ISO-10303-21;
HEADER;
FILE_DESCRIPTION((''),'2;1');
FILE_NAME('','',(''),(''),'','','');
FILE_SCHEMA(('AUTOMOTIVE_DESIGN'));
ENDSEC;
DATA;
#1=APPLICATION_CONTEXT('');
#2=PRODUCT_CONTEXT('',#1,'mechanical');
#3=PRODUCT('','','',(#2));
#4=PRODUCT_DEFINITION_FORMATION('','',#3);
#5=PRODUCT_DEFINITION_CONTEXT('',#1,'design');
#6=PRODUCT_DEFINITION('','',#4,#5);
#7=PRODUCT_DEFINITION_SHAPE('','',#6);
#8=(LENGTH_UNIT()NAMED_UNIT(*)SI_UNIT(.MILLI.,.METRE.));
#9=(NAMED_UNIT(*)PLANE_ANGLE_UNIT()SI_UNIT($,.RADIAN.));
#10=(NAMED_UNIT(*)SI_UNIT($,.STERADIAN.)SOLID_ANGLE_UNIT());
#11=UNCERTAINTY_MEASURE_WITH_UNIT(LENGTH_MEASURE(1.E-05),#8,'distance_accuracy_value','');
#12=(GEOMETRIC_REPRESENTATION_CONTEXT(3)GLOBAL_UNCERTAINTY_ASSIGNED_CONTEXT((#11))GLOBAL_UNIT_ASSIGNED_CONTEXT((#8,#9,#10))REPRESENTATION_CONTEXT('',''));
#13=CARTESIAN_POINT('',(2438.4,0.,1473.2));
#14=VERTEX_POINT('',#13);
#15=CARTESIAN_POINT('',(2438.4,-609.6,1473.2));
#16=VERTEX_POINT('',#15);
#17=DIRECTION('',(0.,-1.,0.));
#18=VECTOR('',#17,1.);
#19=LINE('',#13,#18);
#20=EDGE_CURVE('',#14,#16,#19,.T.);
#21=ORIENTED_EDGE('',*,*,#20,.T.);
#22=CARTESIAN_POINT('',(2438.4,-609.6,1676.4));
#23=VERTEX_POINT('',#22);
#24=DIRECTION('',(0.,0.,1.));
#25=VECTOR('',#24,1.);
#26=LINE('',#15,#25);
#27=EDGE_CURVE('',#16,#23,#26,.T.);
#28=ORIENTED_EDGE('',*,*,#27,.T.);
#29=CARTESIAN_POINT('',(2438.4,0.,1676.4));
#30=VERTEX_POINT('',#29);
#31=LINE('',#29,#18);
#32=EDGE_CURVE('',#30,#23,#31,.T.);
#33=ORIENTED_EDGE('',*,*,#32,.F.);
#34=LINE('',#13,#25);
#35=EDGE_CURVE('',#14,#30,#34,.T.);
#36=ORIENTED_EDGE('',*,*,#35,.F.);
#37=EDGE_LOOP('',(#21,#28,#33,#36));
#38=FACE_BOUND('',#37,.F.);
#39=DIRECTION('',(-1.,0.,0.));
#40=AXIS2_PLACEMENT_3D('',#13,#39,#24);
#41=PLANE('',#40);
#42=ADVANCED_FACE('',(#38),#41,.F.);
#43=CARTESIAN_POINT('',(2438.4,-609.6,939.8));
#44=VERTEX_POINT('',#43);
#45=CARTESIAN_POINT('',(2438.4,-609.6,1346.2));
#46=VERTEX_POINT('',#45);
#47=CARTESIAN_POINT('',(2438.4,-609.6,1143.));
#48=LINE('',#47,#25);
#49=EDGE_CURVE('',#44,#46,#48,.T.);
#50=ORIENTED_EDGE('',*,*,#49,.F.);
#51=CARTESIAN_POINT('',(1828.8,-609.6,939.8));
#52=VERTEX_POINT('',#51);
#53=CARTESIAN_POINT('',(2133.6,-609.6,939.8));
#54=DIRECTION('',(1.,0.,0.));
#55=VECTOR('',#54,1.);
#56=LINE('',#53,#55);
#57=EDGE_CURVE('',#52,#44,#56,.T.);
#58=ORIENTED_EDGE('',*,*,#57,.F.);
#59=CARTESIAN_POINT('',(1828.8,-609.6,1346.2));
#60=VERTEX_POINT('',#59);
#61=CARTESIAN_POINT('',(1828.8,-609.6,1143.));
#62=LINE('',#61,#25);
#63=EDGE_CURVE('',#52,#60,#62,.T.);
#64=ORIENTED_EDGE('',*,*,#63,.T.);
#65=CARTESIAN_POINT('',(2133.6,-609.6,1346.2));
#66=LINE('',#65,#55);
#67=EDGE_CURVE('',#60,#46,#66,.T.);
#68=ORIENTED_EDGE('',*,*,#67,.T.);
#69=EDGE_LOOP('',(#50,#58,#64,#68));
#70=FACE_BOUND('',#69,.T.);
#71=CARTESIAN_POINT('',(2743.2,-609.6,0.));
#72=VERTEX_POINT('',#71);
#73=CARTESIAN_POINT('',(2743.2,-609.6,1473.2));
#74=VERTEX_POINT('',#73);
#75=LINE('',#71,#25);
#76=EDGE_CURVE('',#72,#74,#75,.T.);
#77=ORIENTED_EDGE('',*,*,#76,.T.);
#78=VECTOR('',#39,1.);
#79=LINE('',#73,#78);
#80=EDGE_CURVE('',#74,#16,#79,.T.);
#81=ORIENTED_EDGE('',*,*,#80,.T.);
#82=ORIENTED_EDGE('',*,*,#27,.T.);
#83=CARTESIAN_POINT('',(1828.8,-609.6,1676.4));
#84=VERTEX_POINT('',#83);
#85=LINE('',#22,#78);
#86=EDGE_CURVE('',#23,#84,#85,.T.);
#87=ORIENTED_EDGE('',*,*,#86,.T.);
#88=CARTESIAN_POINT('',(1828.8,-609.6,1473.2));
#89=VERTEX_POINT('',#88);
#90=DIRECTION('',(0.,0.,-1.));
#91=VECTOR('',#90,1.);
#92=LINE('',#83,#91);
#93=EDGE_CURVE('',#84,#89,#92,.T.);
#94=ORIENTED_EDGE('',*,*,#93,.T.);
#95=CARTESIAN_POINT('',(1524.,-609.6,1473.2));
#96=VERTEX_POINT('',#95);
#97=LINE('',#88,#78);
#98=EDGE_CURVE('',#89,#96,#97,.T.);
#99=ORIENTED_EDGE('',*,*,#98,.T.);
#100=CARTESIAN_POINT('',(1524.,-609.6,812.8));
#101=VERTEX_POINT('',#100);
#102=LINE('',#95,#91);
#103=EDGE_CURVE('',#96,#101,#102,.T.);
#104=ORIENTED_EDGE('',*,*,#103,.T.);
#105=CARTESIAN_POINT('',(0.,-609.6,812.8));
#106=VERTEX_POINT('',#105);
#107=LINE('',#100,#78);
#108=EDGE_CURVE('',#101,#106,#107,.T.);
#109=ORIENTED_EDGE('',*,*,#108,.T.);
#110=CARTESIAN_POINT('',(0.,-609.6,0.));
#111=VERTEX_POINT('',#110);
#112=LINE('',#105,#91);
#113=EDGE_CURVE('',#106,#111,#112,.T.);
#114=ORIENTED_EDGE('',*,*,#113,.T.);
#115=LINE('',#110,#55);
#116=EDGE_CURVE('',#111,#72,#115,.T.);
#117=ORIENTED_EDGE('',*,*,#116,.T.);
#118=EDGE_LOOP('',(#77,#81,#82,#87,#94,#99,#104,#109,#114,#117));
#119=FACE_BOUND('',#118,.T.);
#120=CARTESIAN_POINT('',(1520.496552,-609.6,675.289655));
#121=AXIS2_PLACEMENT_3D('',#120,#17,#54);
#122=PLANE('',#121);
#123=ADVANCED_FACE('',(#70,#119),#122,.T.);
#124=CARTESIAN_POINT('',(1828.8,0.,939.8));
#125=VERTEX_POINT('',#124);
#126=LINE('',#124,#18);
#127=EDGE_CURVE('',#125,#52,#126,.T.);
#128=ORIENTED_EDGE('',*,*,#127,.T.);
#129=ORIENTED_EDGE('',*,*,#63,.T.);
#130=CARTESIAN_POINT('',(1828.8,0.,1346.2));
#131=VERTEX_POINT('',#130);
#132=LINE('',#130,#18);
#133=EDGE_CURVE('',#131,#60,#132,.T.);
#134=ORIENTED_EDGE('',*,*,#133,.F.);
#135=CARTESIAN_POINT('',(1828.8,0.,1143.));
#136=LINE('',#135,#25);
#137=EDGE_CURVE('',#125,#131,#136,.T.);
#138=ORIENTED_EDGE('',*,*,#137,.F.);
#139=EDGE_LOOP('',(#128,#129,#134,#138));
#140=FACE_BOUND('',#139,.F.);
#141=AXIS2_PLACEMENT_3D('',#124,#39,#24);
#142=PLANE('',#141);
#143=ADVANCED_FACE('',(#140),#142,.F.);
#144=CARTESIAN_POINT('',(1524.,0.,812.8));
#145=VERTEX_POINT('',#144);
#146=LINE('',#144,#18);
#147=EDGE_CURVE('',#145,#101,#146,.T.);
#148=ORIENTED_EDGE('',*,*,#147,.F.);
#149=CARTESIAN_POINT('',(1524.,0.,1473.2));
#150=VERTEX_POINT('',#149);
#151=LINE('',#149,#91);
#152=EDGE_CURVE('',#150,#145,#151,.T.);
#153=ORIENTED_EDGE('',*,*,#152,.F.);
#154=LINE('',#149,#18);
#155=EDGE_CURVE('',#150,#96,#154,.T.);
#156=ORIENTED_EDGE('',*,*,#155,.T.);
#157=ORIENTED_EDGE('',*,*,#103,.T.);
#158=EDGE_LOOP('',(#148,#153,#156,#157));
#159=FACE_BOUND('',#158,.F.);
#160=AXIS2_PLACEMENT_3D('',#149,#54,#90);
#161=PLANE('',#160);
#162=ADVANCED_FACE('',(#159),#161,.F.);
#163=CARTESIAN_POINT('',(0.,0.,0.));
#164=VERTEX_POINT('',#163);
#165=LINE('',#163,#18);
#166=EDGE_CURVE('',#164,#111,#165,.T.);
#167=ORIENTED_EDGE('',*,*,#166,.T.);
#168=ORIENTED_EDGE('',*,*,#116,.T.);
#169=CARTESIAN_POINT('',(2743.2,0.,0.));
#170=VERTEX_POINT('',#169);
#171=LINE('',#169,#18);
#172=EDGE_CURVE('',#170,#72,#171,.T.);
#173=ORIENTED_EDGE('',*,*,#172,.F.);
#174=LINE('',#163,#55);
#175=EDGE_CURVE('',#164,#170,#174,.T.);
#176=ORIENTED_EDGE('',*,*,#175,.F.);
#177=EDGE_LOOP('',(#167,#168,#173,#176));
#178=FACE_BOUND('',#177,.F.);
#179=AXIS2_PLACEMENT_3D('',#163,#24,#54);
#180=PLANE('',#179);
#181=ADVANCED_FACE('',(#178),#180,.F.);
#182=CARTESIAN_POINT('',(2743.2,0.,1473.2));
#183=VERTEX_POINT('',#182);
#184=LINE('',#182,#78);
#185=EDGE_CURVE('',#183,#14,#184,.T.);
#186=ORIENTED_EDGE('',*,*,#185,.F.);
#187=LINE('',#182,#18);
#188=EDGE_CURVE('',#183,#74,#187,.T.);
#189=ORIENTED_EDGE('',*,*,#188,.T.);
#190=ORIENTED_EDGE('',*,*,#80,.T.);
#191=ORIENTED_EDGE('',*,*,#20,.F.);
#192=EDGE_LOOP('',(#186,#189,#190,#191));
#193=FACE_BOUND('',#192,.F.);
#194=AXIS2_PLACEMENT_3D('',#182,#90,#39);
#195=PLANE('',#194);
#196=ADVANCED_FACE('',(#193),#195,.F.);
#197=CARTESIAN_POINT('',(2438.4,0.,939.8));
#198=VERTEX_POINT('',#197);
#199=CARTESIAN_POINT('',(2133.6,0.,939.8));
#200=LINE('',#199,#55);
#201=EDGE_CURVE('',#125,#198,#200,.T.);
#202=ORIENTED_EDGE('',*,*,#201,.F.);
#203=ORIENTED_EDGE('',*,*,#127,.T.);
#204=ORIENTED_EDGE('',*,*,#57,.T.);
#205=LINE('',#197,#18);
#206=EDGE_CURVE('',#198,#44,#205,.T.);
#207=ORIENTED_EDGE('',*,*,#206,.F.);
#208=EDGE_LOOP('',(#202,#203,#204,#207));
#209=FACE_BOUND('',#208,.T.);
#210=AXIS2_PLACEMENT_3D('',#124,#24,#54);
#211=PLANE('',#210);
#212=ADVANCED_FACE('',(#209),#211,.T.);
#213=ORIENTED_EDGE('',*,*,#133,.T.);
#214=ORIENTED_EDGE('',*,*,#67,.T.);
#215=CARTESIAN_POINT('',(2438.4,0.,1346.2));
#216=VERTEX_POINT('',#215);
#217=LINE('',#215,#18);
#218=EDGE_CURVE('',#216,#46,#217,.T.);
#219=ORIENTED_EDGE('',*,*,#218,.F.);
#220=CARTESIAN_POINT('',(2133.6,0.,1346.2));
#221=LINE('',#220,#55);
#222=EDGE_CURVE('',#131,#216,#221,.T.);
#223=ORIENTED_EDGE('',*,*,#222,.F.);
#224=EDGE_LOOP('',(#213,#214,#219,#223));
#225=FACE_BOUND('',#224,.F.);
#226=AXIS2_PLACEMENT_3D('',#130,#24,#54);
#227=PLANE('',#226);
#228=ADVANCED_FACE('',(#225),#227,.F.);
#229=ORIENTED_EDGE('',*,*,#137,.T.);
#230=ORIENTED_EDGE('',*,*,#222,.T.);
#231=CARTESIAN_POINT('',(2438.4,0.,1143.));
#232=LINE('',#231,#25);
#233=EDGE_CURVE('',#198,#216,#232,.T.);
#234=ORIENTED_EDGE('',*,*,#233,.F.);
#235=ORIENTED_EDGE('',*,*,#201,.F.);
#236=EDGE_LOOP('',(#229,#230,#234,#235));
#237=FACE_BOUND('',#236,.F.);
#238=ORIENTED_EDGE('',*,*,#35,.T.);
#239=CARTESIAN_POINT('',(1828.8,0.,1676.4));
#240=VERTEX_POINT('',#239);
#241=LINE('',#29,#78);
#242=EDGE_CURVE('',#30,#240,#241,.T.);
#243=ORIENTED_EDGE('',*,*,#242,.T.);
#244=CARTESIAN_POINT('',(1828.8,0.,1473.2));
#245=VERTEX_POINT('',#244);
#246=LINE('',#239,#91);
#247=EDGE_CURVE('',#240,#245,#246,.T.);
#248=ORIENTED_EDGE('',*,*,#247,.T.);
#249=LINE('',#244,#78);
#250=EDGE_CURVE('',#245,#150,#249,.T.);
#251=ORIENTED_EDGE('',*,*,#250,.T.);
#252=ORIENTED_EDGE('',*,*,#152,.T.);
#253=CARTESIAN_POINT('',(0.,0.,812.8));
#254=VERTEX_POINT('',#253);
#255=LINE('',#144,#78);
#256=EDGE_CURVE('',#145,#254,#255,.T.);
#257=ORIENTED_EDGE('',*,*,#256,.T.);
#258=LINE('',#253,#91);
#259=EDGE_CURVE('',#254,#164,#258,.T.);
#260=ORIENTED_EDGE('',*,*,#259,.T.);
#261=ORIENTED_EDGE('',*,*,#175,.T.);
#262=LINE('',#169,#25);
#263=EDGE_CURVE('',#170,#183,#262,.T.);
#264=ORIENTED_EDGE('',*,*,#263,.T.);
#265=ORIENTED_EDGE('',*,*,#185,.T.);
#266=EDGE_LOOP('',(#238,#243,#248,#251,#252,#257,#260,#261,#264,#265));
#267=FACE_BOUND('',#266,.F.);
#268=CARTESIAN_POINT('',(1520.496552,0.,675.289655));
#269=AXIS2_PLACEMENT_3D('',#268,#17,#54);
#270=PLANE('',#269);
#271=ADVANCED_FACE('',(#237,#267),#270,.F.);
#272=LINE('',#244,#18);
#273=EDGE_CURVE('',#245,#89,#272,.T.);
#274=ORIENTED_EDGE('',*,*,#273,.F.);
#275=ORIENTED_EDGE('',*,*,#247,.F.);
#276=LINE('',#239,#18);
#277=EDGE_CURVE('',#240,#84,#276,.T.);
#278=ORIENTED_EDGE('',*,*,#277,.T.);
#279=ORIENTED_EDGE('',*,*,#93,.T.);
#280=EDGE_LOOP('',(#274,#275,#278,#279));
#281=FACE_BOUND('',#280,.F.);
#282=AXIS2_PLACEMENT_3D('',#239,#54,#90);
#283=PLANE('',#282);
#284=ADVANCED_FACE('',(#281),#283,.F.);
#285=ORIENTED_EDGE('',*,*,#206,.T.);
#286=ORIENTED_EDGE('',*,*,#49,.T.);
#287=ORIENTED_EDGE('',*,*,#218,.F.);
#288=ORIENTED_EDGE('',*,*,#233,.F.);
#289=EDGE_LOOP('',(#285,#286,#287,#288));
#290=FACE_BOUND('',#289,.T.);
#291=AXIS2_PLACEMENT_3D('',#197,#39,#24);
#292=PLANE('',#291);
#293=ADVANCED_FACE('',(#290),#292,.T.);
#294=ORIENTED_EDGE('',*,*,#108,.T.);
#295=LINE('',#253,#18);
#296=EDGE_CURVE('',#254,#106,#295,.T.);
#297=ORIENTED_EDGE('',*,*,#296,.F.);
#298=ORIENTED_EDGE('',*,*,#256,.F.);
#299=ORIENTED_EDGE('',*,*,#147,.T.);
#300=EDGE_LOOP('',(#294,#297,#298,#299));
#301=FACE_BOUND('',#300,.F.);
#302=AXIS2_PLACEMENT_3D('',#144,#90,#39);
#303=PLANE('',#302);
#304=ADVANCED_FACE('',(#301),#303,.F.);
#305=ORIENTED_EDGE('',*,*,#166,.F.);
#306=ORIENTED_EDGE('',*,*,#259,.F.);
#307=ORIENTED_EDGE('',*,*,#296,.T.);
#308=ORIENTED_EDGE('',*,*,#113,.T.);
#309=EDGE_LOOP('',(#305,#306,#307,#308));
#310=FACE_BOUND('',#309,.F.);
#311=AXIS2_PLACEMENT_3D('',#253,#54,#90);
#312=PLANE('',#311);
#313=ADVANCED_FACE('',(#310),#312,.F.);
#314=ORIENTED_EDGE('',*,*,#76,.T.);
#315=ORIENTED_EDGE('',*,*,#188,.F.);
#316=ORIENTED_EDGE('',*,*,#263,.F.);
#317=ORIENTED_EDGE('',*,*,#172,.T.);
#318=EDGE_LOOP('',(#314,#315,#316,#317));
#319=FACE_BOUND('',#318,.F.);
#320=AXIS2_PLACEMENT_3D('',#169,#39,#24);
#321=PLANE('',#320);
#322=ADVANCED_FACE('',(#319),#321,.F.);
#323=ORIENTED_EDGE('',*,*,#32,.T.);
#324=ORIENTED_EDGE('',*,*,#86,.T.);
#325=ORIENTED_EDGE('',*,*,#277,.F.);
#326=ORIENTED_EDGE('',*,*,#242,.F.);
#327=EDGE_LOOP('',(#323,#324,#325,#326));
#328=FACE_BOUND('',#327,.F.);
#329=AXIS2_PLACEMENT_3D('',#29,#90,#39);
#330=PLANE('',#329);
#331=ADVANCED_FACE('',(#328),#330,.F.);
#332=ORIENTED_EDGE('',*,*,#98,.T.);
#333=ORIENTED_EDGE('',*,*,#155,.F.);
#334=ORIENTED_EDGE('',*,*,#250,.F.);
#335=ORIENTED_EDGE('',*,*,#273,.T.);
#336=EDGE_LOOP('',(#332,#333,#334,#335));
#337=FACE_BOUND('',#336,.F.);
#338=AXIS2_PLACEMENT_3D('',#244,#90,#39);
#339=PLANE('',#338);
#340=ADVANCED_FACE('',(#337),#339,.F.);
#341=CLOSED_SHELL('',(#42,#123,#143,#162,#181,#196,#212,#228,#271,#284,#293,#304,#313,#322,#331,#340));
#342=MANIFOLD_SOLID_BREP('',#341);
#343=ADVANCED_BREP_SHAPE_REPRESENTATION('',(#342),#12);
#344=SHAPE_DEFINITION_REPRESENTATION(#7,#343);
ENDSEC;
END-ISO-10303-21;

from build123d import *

# Parameters (mm, degrees)
F0_W     = 609.6
F0_H     = 406.4
F1_DEPTH = 609.6


with BuildPart() as f1:
    # F0 (on Front) → F1 (new body)
    with BuildSketch(Plane.XZ):
        Polygon((0, 812.8), (0, 0), (2743.2, 0), (2743.2, 1473.2), (2438.4, 1473.2), (2438.4, 1676.4), (1828.8, 1676.4), (1828.8, 1473.2), (1524, 1473.2), (1524, 812.8), align=None)
        with Locations((2133.6, 1143)):
            Rectangle(F0_W, F0_H, mode=Mode.SUBTRACT)
    extrude(amount=F1_DEPTH)


solid = f1.part
